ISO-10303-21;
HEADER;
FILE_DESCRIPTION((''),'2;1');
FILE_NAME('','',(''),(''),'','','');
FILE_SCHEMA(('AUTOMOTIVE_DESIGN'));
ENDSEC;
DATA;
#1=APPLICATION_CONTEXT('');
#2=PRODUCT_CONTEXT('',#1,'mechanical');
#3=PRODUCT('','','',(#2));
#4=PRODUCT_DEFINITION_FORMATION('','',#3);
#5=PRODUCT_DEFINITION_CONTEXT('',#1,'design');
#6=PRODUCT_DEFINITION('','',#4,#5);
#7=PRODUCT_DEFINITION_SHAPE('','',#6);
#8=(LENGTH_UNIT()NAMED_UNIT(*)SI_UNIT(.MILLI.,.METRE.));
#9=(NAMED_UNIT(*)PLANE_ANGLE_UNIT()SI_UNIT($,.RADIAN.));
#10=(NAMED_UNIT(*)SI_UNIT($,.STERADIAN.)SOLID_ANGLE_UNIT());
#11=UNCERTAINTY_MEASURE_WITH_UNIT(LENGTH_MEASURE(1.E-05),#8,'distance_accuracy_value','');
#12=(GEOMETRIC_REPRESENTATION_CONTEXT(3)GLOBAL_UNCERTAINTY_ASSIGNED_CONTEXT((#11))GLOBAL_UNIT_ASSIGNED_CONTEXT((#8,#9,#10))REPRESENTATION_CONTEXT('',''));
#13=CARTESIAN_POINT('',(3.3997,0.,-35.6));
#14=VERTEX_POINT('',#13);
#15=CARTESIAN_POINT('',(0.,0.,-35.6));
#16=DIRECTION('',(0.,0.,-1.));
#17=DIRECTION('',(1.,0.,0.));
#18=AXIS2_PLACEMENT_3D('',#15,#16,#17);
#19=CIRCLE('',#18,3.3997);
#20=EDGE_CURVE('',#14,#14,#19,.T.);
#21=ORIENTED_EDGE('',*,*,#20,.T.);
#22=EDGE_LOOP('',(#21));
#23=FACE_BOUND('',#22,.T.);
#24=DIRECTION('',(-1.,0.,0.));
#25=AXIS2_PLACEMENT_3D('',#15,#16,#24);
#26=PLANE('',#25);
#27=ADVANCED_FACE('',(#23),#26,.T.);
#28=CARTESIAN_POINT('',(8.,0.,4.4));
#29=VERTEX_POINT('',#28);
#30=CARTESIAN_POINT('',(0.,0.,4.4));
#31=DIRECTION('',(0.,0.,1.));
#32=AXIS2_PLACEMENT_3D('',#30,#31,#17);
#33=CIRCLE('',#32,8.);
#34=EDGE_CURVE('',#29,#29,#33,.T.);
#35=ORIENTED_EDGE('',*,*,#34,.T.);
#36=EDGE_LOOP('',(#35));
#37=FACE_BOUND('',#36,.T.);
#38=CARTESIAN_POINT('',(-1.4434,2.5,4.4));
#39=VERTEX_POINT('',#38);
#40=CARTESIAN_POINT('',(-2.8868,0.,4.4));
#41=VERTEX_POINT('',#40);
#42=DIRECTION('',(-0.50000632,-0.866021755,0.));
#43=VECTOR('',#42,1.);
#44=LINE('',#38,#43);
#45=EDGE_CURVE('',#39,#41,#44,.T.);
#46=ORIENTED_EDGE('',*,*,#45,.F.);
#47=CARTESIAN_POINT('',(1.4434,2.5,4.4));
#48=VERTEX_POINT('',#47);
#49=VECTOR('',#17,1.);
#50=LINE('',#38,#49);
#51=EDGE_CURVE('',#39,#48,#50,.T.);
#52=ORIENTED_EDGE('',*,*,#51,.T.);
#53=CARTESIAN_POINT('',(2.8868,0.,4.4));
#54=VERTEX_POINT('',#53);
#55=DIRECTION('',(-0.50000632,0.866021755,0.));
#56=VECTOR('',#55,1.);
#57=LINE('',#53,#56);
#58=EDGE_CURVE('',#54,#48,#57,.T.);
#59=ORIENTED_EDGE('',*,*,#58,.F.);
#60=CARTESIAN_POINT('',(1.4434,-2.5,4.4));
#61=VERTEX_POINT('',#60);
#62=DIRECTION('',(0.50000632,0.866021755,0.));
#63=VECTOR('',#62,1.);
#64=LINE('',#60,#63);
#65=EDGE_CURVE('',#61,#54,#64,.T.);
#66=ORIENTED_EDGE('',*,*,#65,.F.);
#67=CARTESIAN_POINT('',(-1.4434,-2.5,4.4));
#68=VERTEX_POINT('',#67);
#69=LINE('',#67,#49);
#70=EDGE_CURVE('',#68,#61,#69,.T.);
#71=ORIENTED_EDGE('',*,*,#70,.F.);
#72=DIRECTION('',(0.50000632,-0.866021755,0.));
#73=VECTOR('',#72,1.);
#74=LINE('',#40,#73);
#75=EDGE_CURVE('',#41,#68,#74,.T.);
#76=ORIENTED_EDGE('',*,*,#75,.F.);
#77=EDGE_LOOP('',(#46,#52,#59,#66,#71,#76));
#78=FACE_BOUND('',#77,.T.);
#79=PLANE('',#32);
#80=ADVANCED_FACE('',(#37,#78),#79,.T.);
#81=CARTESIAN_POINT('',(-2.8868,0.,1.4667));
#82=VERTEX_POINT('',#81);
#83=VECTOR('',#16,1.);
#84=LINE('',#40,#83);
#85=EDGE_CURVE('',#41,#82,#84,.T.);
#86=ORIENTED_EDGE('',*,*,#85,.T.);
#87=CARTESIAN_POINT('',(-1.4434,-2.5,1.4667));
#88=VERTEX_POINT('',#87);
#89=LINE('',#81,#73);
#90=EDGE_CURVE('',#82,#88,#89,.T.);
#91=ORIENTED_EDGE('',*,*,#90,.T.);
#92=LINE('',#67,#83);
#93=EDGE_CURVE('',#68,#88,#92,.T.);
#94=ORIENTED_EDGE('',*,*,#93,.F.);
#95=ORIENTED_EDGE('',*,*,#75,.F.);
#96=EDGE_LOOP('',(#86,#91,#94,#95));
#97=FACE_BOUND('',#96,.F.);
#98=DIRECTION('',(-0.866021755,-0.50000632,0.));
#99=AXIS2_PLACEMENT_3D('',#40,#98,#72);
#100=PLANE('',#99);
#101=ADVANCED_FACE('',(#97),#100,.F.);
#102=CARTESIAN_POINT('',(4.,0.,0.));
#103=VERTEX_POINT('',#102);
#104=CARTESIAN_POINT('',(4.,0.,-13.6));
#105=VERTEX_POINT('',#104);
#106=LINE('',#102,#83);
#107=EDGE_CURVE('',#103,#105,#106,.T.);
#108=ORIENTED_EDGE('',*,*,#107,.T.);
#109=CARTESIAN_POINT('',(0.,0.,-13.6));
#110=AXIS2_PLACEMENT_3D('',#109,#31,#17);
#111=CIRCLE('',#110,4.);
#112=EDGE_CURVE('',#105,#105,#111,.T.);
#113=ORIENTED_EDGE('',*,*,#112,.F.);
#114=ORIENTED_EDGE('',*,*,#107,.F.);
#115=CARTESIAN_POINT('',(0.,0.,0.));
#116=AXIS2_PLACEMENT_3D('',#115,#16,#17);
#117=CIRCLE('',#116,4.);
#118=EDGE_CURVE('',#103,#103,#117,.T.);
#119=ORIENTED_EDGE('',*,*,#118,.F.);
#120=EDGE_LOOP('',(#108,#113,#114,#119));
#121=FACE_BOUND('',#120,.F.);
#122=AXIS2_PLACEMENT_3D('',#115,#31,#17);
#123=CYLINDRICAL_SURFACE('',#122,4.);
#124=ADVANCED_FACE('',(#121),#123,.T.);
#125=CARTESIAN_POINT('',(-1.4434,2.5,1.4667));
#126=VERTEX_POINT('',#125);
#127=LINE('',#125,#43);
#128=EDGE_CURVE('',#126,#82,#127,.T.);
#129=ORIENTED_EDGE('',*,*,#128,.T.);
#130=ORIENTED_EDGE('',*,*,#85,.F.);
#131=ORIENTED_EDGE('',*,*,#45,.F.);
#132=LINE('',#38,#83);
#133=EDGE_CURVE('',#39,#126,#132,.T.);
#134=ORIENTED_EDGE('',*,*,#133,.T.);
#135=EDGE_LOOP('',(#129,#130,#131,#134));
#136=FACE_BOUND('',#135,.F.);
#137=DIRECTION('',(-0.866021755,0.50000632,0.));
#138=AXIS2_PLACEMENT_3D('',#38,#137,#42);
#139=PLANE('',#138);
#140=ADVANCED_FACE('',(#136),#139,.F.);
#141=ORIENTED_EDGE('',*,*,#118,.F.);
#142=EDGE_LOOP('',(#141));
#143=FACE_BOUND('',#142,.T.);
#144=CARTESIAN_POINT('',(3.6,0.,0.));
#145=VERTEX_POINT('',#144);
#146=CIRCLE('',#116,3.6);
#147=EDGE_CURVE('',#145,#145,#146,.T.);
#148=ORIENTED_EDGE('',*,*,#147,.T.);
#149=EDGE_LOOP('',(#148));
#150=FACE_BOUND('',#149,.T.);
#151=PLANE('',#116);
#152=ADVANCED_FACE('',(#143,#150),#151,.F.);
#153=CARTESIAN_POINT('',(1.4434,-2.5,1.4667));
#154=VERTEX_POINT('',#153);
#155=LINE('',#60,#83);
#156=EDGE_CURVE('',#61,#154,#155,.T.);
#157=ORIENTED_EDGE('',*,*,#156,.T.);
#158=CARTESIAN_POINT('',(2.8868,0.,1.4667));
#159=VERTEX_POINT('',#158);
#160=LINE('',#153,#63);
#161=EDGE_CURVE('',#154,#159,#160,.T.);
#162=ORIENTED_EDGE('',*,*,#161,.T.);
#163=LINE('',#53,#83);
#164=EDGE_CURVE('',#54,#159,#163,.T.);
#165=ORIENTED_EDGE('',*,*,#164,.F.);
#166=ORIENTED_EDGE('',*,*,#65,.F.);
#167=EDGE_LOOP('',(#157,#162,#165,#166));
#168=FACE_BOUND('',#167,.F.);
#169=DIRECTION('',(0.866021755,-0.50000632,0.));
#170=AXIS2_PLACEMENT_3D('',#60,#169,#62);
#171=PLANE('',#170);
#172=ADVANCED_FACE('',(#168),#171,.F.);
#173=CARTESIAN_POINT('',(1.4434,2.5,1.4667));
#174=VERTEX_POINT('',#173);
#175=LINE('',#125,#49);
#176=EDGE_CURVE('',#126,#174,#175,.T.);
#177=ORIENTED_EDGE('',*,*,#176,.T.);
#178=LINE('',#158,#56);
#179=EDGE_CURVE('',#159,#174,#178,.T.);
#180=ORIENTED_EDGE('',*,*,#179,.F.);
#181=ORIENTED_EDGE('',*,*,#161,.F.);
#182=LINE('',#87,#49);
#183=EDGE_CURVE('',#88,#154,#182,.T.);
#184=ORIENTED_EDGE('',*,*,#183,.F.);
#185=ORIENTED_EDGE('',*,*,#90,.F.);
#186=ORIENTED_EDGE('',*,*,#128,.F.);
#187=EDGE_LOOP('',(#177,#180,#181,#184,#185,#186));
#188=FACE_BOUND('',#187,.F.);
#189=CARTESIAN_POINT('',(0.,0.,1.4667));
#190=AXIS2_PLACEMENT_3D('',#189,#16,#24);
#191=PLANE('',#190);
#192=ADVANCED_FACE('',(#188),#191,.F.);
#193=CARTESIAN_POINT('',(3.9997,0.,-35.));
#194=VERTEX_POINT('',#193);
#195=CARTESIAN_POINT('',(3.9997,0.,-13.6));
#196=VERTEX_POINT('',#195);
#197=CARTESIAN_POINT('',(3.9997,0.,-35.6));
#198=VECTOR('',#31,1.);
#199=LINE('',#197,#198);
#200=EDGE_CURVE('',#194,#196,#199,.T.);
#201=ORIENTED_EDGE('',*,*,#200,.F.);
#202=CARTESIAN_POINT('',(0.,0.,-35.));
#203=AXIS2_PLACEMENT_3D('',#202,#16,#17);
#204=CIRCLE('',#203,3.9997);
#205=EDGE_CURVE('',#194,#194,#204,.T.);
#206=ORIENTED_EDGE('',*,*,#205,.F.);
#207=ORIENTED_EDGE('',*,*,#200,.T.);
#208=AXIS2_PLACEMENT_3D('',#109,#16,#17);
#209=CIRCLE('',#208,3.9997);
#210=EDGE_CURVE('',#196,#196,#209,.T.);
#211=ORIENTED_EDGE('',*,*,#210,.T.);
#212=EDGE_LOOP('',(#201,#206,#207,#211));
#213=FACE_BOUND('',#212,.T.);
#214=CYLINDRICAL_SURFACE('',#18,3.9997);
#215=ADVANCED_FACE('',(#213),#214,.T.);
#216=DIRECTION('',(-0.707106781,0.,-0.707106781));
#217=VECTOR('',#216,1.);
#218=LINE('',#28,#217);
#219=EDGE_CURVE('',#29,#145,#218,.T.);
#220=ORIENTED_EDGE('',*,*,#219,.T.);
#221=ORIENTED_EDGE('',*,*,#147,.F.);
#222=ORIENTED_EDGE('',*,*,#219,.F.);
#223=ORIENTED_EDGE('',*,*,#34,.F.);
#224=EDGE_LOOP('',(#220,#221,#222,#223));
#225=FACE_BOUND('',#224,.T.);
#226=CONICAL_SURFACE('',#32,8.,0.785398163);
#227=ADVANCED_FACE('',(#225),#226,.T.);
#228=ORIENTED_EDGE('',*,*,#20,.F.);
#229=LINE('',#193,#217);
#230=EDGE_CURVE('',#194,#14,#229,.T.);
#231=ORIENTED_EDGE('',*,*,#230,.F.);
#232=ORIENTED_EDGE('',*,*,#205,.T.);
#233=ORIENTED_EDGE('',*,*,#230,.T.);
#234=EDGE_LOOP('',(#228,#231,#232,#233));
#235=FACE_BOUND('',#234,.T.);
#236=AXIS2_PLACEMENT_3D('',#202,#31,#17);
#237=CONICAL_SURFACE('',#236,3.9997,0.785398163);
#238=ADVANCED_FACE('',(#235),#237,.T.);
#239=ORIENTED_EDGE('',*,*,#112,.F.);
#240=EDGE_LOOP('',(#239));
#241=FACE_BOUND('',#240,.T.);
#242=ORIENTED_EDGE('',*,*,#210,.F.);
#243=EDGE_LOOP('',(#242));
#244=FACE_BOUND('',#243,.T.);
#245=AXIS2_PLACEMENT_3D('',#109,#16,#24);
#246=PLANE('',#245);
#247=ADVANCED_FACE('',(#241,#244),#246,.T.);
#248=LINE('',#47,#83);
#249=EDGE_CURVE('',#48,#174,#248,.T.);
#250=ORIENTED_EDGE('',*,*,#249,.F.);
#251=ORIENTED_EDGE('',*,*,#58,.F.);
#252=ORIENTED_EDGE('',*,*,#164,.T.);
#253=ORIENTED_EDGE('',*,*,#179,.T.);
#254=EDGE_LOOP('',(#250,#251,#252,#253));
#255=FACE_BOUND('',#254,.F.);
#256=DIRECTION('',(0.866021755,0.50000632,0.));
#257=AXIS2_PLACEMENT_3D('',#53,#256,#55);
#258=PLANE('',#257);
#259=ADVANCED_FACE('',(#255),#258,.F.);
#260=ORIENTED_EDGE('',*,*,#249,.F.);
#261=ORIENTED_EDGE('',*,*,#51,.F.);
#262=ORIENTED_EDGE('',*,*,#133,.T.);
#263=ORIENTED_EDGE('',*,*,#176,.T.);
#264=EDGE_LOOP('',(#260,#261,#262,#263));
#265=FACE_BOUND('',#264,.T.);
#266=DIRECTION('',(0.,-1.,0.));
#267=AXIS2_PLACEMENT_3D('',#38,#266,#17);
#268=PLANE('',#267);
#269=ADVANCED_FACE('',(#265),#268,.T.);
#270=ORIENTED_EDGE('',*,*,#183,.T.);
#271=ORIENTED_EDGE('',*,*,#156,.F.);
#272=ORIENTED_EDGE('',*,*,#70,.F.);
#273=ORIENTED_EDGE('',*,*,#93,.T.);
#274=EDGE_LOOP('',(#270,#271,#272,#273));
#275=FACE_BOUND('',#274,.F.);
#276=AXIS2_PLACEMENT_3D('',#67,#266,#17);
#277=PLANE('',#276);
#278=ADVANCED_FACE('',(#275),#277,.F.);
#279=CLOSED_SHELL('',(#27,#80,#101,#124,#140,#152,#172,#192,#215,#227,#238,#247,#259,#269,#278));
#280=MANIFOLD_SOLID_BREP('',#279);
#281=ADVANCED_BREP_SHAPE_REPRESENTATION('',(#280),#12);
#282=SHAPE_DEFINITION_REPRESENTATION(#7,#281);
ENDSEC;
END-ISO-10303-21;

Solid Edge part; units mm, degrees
sketch "Sketch1" plane through (0, 0, 0) normal (0, 0, 1) x (1, 0, 0)
  circle A0 centre (0, 0) radius 8
  dimension "D1" = 16
extrude "Protrusion1" add sketch "Sketch1" along normal blind 4.4
sketch "Sketch2" plane through (0, 0, 0) normal (0, 0, -1) x (1, 0, 0)
  circle A0 centre (0, 0) radius 4
extrude "Protrusion2" add sketch "Sketch2" along normal blind 35.6
sketch "Sketch3" plane through (0, 0, -35.6) normal (0, 0, -1) x (1, 0, 0)
  circle A0 centre (0, 0) radius 3.9997
extrude "Cutout1" cut sketch "Sketch3" against normal blind 22 flip side to cut
chamfer "Chamfer_1" distance 0.6 angle 45 1 edges at (-3.9997, 0, -35.6)
sketch "Sketch4" plane through (0, 0, 4.4) normal (0, 0, 1) x (1, 0, 0)
  line L0 (-1.4434, 2.5) -> (1.4434, 2.5)
  line L1 (2.8868, 0) -> (1.4434, 2.5)
  line L2 (1.4434, -2.5) -> (2.8868, 0)
  line L3 (-1.4434, -2.5) -> (1.4434, -2.5)
  line L4 (-2.8868, 0) -> (-1.4434, -2.5)
  line L5 (-1.4434, 2.5) -> (-2.8868, 0)
  dimension "D1" = 5
extrude "Cutout2" cut sketch "Sketch4" against normal blind 2.9333
sketch "Sketch5" plane through (0, 0, 0) normal (0, -1, 0) x (1, 0, 0)
  line L0 (8, 4.4) -> (3.6, 0)
  line L1 (3.6, 0) -> (8, 0)
  line L2 (8, 0) -> (8, 4.4)
revolve "RevolvedCutout1" cut sketch "Sketch5" angle 360 about axis through (0, 0, 14.0017) along (0, 0, -1)
properties part number "24104979"
